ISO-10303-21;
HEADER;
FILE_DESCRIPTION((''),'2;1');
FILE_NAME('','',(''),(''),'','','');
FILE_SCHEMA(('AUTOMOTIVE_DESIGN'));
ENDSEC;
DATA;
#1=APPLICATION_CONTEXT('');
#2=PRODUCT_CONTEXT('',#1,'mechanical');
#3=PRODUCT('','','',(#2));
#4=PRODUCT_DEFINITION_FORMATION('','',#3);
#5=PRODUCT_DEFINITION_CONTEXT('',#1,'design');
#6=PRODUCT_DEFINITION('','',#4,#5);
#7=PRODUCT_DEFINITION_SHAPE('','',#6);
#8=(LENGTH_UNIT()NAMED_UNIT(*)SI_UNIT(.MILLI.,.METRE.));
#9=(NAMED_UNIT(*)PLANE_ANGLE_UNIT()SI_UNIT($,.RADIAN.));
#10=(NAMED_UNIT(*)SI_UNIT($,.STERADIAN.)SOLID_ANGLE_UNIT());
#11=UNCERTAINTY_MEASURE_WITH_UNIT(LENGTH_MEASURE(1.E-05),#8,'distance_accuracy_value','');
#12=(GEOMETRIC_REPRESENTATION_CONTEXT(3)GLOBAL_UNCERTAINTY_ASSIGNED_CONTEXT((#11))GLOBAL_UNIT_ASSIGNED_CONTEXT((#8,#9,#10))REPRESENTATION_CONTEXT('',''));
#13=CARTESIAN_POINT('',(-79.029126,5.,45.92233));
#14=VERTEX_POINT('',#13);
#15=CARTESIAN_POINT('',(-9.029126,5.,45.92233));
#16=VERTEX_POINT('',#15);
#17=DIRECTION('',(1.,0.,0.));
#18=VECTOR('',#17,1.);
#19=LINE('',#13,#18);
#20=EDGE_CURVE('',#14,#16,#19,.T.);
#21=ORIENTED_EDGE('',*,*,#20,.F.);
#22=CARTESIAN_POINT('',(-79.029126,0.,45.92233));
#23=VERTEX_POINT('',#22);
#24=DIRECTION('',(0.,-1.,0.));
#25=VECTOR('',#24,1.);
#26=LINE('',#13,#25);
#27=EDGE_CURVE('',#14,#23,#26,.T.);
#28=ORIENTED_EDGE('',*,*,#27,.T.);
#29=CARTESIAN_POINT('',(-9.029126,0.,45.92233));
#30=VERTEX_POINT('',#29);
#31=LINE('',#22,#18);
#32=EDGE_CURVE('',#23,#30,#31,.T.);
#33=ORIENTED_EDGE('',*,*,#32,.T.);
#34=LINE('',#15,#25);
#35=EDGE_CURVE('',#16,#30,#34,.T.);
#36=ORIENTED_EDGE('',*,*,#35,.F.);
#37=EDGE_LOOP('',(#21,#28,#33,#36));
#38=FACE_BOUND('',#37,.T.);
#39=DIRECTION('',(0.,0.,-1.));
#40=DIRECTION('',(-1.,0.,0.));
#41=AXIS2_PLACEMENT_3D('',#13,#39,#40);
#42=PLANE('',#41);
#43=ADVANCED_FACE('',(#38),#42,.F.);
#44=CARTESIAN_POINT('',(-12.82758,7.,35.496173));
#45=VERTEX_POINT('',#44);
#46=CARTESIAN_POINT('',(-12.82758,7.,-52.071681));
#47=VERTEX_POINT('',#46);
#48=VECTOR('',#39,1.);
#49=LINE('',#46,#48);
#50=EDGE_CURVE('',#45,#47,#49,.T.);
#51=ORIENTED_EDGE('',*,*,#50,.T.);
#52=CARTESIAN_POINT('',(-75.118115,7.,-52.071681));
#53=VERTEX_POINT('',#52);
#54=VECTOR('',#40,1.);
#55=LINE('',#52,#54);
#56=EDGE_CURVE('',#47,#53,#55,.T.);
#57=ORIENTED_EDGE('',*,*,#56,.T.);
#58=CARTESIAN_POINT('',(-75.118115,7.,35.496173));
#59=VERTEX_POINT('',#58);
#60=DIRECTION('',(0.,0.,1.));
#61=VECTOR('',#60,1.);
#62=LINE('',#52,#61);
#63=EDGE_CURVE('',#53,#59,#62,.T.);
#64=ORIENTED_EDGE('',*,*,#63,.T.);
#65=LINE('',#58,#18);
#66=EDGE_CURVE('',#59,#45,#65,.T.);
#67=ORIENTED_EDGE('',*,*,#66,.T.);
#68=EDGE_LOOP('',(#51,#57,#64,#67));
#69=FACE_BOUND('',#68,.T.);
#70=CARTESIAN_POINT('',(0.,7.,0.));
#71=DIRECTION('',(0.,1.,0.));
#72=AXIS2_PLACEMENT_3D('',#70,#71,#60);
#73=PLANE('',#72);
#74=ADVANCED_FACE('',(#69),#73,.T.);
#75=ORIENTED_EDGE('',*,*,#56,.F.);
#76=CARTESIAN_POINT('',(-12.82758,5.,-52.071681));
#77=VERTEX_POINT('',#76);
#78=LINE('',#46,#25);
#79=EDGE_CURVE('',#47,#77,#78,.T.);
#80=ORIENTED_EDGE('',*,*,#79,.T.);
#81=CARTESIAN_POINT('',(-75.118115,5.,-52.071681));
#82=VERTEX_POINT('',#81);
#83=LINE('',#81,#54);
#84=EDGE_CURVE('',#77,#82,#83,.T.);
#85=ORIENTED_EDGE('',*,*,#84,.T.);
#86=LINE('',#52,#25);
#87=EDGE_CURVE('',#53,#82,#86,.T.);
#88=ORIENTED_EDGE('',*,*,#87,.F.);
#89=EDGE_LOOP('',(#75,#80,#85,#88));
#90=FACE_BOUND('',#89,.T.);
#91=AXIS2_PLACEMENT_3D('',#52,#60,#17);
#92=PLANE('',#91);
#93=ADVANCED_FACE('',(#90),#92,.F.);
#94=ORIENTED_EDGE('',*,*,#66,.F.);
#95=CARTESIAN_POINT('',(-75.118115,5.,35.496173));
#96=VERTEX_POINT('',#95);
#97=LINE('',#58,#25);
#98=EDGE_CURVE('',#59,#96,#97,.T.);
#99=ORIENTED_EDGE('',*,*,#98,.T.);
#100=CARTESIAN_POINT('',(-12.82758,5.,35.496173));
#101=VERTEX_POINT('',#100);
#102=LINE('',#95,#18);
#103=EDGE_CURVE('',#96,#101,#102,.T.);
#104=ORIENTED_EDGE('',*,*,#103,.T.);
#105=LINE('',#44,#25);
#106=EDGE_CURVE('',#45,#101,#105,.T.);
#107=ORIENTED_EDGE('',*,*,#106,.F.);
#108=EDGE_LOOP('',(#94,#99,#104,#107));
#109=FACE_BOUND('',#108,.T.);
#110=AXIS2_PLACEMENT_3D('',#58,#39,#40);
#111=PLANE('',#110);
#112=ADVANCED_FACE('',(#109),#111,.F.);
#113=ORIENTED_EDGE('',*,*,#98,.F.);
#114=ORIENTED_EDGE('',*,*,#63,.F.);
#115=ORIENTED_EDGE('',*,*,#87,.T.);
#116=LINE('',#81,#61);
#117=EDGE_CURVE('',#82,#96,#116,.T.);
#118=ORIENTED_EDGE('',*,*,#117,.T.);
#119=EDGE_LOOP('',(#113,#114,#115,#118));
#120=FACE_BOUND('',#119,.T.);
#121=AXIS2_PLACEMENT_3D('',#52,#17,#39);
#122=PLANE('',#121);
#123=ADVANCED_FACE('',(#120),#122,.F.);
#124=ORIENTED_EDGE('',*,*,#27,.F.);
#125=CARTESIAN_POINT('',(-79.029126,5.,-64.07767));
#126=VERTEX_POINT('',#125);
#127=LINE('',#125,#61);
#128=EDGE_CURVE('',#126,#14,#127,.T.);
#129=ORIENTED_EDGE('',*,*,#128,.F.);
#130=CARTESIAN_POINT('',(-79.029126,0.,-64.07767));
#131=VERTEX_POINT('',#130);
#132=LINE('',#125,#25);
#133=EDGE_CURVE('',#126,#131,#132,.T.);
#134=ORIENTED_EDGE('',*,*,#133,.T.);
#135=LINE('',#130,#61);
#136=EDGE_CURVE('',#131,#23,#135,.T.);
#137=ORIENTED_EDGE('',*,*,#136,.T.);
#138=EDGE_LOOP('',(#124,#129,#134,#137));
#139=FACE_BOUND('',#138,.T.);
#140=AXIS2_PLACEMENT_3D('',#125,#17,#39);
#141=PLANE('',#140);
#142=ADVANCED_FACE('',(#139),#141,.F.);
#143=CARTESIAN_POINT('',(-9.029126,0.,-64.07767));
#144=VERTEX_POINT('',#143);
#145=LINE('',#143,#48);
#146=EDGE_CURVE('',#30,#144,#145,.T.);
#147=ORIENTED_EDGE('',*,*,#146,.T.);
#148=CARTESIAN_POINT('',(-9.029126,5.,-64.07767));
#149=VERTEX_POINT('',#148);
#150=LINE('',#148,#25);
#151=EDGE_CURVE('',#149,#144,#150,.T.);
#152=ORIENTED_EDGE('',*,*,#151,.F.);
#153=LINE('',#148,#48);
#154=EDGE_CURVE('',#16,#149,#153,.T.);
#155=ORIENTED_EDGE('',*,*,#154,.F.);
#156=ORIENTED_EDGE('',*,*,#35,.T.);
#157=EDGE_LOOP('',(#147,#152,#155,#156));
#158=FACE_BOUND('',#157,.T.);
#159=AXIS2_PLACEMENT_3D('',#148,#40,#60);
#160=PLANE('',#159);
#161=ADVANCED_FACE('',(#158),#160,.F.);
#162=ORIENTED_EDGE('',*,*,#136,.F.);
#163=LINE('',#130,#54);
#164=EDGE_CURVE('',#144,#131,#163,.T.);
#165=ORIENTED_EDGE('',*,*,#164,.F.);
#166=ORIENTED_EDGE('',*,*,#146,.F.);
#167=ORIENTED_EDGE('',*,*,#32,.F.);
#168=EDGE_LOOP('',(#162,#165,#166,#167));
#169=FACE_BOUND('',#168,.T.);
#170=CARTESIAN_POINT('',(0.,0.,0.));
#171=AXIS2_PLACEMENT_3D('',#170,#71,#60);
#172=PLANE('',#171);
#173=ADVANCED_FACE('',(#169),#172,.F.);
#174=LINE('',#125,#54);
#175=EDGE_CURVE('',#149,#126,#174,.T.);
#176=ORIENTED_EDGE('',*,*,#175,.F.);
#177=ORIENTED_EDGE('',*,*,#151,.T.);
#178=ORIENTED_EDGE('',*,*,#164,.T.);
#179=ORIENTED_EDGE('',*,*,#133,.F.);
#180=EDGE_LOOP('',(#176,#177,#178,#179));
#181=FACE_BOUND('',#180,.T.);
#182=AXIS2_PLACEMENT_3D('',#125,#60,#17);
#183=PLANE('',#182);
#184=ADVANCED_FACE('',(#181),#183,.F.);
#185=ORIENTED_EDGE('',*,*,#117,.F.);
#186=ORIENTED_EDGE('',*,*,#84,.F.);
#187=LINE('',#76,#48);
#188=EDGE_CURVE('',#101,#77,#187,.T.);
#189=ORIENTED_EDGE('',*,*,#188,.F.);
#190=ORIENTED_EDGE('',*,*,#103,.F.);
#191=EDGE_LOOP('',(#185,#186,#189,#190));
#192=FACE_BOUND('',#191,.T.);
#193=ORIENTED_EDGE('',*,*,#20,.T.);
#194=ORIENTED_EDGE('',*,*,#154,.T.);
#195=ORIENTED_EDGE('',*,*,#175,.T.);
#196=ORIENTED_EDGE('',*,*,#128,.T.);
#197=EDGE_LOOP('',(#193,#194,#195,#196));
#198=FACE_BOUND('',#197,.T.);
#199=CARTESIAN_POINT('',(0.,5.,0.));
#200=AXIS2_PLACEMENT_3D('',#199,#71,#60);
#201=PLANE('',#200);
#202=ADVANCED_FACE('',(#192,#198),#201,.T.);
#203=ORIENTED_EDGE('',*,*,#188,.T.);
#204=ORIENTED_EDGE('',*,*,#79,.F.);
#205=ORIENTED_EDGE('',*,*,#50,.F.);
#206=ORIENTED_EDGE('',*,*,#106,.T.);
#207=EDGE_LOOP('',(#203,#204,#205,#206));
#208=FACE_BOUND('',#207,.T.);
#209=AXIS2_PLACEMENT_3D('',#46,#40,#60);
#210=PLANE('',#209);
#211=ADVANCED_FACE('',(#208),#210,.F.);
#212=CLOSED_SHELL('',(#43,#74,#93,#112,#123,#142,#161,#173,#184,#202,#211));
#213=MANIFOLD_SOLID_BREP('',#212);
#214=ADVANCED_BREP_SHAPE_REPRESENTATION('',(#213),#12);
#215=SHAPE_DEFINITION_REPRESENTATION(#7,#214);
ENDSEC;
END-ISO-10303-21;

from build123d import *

# Parameters (mm, degrees)
SKETCH1_W           = 70
SKETCH1_H           = 110
BOSS_EXTRUDE1_DEPTH = 5
SKETCH2_W           = 62.290535519
SKETCH2_H           = 87.567854281
BOSS_EXTRUDE2_DEPTH = 2


with BuildPart() as part:
    # Sketch1 → Boss-Extrude1 (new body)
    with BuildSketch(Plane(origin=(0, 0, 0), x_dir=(1, 0, 0), z_dir=(0, 1, 0))):
        with Locations((-44.029126214, 9.077669903)):
            Rectangle(SKETCH1_W, SKETCH1_H)
    extrude(amount=BOSS_EXTRUDE1_DEPTH)

    # Sketch2 → Boss-Extrude2 (add)
    with BuildSketch(Plane(origin=(0, 5, 0), x_dir=(1, 0, 0), z_dir=(0, 1, 0))):
        with Locations((-43.972847259, 8.287753692)):
            Rectangle(SKETCH2_W, SKETCH2_H)
    extrude(amount=BOSS_EXTRUDE2_DEPTH)


solid = part.part
